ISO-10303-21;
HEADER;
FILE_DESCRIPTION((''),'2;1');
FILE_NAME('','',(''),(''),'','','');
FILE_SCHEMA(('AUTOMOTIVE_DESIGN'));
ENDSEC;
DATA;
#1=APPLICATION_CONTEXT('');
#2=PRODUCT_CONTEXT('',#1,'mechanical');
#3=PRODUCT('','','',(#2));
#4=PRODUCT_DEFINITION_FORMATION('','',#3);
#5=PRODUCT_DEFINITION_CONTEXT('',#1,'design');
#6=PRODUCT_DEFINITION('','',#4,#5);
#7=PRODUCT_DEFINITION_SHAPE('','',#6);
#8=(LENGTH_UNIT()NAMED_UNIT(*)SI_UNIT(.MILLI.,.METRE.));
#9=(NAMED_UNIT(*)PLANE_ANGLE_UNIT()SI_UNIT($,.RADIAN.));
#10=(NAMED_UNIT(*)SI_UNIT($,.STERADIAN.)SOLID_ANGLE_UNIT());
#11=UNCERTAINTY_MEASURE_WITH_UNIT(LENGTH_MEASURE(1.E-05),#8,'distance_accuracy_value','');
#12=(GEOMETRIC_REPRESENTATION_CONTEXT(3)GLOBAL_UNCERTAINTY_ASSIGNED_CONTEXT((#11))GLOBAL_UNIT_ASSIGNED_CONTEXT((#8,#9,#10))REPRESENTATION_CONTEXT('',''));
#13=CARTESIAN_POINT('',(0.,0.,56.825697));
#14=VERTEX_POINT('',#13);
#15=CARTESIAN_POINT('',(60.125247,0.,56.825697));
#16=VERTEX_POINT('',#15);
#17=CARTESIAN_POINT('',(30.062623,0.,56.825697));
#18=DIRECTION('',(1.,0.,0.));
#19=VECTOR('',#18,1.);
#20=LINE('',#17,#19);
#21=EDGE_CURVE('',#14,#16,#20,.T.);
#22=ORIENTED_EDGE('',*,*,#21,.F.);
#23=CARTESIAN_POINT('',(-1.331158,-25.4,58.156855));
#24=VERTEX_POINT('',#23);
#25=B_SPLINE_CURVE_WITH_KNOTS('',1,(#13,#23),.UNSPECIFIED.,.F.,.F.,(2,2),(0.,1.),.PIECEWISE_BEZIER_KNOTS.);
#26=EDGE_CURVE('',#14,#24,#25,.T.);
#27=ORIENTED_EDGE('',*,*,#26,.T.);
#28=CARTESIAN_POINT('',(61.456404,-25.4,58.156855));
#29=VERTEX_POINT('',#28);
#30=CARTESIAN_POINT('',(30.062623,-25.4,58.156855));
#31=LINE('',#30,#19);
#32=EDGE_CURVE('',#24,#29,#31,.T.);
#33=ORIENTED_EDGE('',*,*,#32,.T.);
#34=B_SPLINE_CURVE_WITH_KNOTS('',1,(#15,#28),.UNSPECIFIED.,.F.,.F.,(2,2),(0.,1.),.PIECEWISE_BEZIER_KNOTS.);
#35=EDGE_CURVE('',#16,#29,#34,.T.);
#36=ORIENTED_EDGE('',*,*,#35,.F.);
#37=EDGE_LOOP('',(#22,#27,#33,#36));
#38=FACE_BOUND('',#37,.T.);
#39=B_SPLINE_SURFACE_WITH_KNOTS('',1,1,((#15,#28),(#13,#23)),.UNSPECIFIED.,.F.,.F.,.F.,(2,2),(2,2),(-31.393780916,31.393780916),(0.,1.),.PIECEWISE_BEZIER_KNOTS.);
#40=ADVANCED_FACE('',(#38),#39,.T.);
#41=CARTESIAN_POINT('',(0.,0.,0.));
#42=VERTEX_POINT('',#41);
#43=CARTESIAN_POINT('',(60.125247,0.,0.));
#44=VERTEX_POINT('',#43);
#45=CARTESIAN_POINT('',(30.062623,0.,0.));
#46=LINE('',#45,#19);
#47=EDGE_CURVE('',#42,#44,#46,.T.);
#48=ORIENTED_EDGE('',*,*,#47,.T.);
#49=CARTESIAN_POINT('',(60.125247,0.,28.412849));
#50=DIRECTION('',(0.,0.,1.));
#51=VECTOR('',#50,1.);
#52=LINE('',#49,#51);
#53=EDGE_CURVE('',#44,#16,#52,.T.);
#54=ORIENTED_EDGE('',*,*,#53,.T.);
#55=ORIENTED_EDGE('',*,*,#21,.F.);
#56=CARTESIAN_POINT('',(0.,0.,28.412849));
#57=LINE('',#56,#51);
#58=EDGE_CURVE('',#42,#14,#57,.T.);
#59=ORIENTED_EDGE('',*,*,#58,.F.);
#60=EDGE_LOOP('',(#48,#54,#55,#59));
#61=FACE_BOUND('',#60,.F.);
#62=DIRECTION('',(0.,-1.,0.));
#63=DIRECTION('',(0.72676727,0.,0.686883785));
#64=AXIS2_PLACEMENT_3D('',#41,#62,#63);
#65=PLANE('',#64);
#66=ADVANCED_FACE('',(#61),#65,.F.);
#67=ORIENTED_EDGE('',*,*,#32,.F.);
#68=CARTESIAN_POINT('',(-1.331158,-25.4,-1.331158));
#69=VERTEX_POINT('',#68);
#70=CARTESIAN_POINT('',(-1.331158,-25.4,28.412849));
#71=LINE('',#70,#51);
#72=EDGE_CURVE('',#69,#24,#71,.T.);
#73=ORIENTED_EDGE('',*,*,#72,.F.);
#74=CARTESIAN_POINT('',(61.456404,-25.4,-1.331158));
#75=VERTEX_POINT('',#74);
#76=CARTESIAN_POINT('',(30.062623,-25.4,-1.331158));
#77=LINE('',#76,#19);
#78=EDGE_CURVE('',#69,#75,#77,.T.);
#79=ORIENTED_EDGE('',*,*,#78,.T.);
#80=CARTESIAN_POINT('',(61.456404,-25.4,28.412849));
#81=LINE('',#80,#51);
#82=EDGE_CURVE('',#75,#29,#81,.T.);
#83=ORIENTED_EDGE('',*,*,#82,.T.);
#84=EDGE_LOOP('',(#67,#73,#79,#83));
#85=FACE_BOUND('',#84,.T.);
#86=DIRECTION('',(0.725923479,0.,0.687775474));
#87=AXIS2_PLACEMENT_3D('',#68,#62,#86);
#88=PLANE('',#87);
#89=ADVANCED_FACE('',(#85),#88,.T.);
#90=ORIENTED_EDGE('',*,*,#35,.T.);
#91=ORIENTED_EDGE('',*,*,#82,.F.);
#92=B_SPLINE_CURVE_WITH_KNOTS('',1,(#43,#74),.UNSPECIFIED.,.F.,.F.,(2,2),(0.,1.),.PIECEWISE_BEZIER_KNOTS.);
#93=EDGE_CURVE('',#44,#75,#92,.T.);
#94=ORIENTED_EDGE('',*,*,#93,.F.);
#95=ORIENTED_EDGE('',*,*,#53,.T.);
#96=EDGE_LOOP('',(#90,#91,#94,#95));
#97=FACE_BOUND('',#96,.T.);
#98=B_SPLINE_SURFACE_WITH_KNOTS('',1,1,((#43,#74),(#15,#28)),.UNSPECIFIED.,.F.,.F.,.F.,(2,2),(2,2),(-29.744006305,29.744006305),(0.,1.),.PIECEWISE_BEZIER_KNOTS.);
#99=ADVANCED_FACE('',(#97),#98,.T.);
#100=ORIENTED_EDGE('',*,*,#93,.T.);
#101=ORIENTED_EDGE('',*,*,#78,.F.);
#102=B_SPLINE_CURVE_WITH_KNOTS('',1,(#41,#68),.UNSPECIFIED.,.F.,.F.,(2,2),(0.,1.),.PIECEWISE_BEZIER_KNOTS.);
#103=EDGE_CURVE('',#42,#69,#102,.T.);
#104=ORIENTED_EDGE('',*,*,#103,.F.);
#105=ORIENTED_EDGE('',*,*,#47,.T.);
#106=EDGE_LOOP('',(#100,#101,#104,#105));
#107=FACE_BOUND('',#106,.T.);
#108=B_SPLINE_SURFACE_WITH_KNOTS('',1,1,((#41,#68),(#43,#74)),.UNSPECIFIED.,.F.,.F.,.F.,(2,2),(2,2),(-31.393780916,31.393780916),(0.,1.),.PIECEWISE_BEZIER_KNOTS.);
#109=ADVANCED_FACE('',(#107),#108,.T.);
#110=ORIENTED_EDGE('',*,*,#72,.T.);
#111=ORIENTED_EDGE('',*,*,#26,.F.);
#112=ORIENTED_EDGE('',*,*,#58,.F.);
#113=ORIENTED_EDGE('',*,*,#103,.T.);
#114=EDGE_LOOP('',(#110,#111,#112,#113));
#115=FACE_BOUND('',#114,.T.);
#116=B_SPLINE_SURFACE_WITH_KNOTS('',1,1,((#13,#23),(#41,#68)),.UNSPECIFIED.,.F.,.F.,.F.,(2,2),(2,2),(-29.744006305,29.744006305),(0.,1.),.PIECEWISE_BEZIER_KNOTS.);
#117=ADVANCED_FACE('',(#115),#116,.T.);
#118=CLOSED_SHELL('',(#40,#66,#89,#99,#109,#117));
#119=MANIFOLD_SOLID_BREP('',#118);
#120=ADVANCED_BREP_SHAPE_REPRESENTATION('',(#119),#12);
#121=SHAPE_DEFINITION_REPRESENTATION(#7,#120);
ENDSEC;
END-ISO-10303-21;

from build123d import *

# Parameters (mm, degrees)
F0_W     = 60.125246644
F0_H     = 56.825697422
F1_DEPTH = 25.4
F1_TAPER = -3


with BuildPart() as f1:
    # F0 (on Front) → F1 (new body)
    with BuildSketch(Plane.XZ):
        with Locations((30.062623322, 28.412848711)):
            Rectangle(F0_W, F0_H)
    extrude(amount=F1_DEPTH, taper=F1_TAPER)


solid = f1.part
